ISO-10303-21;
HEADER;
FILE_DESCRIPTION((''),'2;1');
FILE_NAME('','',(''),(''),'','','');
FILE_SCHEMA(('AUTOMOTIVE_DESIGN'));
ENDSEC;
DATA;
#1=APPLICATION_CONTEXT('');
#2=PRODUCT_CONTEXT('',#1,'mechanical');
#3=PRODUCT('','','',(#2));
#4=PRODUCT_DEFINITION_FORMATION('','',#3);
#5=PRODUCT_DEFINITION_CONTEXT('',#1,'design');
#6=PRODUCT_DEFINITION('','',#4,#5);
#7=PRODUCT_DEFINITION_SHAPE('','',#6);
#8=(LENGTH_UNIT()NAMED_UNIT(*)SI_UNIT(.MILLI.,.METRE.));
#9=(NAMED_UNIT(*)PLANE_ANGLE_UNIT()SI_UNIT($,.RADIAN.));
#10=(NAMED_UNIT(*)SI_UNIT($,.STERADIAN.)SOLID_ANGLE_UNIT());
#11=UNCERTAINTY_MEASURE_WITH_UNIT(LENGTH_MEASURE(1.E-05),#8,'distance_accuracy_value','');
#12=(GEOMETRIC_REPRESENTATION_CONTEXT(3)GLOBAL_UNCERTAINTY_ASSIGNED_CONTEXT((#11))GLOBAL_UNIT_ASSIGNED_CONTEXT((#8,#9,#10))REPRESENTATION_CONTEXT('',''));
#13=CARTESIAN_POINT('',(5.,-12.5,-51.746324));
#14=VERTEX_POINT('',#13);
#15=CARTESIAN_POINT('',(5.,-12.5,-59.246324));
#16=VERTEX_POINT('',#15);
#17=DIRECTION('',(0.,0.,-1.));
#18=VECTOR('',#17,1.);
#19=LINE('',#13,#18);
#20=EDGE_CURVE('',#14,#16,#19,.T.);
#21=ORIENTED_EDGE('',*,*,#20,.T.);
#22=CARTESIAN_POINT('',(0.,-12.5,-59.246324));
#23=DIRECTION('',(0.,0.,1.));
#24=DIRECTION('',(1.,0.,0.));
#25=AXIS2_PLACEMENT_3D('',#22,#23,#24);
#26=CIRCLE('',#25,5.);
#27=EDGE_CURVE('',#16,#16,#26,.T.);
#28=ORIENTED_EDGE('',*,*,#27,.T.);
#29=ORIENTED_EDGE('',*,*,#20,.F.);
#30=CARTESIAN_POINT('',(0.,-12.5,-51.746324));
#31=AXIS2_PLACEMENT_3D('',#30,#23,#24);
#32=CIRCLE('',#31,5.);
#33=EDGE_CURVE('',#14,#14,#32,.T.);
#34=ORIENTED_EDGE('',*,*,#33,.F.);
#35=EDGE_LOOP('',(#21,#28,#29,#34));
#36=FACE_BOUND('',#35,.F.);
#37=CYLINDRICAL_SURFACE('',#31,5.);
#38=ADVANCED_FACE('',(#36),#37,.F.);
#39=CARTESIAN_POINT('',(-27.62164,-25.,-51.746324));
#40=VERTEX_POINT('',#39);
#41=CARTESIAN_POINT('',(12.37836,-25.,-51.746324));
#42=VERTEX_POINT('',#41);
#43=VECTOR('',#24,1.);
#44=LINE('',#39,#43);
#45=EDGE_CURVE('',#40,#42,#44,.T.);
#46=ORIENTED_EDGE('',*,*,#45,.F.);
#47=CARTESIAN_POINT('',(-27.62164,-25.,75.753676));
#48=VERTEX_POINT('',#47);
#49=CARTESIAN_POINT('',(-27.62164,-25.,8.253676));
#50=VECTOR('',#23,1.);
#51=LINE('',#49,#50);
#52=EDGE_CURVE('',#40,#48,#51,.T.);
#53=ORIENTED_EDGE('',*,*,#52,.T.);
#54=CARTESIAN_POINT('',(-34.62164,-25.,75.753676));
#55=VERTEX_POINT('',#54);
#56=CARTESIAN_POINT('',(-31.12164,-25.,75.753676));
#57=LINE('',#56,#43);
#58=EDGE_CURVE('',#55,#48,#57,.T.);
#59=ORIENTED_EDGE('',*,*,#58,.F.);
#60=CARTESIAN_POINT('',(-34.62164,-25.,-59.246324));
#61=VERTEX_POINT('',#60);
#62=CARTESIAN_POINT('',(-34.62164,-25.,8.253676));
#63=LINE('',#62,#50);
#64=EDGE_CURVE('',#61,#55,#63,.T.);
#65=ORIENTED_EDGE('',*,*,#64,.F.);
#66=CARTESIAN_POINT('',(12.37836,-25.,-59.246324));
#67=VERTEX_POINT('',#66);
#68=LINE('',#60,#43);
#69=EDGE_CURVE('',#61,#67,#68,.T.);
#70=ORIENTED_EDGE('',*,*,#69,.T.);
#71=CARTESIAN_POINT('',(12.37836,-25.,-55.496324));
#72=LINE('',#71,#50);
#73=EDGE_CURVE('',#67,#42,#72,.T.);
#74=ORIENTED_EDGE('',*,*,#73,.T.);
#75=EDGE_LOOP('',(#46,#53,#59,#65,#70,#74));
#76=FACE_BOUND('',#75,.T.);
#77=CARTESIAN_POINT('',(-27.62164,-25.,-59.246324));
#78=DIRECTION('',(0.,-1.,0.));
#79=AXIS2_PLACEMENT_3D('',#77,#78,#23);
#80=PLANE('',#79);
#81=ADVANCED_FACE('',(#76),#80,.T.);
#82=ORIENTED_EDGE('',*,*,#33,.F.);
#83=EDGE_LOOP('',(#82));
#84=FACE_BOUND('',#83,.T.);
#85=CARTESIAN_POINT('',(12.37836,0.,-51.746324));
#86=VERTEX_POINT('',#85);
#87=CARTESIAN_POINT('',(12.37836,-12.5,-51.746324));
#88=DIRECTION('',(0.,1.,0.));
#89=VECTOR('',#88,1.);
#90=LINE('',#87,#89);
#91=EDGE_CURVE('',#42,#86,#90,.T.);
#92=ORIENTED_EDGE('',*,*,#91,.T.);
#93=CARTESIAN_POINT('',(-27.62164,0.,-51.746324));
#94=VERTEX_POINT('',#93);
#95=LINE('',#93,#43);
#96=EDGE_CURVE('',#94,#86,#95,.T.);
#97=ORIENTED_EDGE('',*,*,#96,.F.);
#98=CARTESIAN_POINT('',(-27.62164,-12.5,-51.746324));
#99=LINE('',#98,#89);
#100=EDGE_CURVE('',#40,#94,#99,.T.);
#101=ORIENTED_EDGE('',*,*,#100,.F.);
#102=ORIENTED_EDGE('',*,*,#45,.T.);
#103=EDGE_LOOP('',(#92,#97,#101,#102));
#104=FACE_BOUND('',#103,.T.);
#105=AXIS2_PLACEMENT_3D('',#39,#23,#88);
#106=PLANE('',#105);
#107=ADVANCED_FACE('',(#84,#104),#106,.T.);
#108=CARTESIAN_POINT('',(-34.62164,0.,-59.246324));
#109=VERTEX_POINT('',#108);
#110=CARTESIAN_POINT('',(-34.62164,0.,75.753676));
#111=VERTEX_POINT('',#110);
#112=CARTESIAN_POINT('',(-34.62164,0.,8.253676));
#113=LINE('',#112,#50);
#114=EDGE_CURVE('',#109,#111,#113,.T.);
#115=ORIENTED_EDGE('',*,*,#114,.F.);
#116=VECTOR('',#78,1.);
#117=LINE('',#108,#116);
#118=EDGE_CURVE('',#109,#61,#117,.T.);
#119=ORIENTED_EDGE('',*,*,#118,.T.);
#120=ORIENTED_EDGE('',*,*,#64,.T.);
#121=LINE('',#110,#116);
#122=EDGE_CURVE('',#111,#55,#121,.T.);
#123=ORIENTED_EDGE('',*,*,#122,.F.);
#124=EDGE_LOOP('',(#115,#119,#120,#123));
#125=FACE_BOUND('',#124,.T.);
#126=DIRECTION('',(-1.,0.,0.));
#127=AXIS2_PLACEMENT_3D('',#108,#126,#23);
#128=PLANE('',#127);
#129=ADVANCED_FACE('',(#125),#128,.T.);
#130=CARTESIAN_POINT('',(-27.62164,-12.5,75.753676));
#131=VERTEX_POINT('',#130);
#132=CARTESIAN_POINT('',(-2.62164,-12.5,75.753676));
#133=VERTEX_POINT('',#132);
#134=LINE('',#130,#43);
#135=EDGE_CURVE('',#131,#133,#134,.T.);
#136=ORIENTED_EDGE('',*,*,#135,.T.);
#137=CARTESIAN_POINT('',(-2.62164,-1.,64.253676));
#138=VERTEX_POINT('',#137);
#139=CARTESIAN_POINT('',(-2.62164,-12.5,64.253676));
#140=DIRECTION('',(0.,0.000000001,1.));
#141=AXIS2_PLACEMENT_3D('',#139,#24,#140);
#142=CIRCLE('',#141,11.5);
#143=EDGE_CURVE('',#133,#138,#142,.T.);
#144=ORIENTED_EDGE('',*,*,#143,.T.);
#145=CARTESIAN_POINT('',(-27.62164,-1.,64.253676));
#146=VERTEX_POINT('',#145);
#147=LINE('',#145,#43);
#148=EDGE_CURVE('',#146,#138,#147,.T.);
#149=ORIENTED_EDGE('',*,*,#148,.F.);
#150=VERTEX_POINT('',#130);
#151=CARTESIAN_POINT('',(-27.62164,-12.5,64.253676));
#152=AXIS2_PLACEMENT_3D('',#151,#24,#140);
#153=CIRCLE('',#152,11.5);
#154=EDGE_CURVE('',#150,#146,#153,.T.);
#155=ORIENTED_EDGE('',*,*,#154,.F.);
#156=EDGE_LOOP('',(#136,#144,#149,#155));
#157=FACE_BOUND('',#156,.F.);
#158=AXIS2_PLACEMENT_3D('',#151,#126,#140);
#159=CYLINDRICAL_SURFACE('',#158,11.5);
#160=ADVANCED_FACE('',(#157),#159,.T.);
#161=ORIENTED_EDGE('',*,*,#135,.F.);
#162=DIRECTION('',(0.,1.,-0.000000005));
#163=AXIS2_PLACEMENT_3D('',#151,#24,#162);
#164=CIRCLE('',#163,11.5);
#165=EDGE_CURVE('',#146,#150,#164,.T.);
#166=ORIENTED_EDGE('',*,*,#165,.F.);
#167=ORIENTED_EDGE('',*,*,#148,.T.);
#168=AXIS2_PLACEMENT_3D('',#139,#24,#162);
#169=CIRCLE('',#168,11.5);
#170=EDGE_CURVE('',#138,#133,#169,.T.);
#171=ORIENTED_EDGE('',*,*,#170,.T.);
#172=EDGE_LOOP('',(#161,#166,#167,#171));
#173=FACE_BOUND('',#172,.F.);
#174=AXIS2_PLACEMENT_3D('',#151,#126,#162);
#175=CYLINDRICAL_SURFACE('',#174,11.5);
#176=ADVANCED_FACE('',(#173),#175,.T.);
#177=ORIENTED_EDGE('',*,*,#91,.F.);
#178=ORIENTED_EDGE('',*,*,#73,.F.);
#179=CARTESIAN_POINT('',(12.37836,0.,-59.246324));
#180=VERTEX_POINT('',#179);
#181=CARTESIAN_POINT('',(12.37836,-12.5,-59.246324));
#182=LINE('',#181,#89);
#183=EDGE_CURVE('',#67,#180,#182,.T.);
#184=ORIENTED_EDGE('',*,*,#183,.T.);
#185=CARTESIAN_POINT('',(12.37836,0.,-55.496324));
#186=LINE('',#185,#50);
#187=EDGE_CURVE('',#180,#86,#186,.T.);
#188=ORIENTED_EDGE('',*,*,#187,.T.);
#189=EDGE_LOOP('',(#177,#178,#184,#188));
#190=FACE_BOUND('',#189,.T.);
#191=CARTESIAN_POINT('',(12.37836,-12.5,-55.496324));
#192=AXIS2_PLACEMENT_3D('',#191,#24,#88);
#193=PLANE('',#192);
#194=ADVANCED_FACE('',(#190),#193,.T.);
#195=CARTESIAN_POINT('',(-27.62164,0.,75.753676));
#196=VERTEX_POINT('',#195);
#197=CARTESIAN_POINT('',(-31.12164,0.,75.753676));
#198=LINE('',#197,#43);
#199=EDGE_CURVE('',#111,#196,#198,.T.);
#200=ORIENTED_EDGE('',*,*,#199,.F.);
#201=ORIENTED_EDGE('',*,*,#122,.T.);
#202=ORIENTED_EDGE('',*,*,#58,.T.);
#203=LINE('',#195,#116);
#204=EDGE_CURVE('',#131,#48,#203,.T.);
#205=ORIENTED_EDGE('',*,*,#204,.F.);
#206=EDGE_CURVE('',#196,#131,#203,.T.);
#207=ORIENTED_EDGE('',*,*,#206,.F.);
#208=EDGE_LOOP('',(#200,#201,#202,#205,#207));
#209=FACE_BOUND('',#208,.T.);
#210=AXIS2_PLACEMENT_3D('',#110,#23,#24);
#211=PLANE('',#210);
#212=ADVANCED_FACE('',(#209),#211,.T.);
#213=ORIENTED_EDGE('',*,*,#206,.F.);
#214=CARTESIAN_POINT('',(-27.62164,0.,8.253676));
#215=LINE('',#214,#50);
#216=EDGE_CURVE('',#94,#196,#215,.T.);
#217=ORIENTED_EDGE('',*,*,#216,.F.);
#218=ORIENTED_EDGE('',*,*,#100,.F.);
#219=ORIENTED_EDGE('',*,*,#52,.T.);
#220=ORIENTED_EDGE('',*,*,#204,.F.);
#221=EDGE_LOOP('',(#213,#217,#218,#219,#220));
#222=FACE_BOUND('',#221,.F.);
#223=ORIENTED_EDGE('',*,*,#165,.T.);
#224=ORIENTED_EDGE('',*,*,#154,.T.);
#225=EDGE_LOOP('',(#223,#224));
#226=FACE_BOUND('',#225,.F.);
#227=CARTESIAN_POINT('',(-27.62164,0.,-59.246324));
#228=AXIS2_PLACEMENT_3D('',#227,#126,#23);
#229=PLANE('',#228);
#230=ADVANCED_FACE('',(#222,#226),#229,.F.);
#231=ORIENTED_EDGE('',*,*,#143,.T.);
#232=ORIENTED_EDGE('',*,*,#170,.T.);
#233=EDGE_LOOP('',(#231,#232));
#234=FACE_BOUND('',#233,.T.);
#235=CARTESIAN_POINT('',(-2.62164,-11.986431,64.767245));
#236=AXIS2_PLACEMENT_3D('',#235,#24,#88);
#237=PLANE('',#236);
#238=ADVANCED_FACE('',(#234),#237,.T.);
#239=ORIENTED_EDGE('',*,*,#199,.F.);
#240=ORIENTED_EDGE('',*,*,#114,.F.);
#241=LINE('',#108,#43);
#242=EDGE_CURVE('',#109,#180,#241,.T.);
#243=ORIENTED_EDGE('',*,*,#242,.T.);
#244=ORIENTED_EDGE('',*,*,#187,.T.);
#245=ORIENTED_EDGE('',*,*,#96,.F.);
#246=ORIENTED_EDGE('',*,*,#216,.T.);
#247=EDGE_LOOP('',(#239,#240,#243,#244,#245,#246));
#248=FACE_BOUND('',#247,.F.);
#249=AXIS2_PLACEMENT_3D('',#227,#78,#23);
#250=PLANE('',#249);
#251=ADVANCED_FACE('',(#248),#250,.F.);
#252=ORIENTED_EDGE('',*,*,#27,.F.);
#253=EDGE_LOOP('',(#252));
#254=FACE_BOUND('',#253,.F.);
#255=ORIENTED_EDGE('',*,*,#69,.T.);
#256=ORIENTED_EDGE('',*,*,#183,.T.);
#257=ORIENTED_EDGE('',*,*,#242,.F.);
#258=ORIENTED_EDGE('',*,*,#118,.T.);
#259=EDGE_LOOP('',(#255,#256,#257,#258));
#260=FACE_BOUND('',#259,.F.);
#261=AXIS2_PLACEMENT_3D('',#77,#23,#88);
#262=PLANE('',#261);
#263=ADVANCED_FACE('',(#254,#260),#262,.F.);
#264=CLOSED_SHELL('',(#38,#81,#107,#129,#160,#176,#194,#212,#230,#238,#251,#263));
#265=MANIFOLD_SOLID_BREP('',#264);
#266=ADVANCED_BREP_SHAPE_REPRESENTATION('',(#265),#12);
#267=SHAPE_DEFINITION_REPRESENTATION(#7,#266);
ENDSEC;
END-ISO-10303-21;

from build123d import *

# Parameters (mm, degrees)
F0_W     = 7
F0_H     = 135
F1_DEPTH = 25
F3_DEPTH = 25
F4_W     = 25
F4_H     = 7.5
F5_DEPTH = 40
F7_R     = 5
F8_DEPTH = 7.501


with BuildPart() as f1:
    # F0 (on Front) → F1 (new body)
    with BuildSketch(Plane.XZ):
        with Locations((-31.12164, 8.253676)):
            Rectangle(F0_W, F0_H)
    extrude(amount=F1_DEPTH)

    # F2 (on face) → F3 (join)
    with BuildSketch(Plane.YZ.offset(-27.62164)):
        with BuildLine():
            ThreePointArc((-12.5, 75.753676), (-20.631728, 56.121948), (-1, 64.253676))
            ThreePointArc((-1, 64.253676), (-4.368272, 72.385404), (-12.5, 75.753676))
        make_face()
    extrude(amount=F3_DEPTH)

    # F4 (on face) → F5 (join)
    with BuildSketch(Plane.YZ.offset(-27.62164)):
        with Locations((-12.5, -55.496324)):
            Rectangle(F4_W, F4_H)
    extrude(amount=F5_DEPTH)

    # F7 (on face) → F8 (cut, through all)
    with BuildSketch(Plane.XY.offset(-51.746324)):
        with Locations((0, -12.5)):
            Circle(F7_R)
    extrude(amount=-F8_DEPTH, mode=Mode.SUBTRACT)


solid = f1.part
